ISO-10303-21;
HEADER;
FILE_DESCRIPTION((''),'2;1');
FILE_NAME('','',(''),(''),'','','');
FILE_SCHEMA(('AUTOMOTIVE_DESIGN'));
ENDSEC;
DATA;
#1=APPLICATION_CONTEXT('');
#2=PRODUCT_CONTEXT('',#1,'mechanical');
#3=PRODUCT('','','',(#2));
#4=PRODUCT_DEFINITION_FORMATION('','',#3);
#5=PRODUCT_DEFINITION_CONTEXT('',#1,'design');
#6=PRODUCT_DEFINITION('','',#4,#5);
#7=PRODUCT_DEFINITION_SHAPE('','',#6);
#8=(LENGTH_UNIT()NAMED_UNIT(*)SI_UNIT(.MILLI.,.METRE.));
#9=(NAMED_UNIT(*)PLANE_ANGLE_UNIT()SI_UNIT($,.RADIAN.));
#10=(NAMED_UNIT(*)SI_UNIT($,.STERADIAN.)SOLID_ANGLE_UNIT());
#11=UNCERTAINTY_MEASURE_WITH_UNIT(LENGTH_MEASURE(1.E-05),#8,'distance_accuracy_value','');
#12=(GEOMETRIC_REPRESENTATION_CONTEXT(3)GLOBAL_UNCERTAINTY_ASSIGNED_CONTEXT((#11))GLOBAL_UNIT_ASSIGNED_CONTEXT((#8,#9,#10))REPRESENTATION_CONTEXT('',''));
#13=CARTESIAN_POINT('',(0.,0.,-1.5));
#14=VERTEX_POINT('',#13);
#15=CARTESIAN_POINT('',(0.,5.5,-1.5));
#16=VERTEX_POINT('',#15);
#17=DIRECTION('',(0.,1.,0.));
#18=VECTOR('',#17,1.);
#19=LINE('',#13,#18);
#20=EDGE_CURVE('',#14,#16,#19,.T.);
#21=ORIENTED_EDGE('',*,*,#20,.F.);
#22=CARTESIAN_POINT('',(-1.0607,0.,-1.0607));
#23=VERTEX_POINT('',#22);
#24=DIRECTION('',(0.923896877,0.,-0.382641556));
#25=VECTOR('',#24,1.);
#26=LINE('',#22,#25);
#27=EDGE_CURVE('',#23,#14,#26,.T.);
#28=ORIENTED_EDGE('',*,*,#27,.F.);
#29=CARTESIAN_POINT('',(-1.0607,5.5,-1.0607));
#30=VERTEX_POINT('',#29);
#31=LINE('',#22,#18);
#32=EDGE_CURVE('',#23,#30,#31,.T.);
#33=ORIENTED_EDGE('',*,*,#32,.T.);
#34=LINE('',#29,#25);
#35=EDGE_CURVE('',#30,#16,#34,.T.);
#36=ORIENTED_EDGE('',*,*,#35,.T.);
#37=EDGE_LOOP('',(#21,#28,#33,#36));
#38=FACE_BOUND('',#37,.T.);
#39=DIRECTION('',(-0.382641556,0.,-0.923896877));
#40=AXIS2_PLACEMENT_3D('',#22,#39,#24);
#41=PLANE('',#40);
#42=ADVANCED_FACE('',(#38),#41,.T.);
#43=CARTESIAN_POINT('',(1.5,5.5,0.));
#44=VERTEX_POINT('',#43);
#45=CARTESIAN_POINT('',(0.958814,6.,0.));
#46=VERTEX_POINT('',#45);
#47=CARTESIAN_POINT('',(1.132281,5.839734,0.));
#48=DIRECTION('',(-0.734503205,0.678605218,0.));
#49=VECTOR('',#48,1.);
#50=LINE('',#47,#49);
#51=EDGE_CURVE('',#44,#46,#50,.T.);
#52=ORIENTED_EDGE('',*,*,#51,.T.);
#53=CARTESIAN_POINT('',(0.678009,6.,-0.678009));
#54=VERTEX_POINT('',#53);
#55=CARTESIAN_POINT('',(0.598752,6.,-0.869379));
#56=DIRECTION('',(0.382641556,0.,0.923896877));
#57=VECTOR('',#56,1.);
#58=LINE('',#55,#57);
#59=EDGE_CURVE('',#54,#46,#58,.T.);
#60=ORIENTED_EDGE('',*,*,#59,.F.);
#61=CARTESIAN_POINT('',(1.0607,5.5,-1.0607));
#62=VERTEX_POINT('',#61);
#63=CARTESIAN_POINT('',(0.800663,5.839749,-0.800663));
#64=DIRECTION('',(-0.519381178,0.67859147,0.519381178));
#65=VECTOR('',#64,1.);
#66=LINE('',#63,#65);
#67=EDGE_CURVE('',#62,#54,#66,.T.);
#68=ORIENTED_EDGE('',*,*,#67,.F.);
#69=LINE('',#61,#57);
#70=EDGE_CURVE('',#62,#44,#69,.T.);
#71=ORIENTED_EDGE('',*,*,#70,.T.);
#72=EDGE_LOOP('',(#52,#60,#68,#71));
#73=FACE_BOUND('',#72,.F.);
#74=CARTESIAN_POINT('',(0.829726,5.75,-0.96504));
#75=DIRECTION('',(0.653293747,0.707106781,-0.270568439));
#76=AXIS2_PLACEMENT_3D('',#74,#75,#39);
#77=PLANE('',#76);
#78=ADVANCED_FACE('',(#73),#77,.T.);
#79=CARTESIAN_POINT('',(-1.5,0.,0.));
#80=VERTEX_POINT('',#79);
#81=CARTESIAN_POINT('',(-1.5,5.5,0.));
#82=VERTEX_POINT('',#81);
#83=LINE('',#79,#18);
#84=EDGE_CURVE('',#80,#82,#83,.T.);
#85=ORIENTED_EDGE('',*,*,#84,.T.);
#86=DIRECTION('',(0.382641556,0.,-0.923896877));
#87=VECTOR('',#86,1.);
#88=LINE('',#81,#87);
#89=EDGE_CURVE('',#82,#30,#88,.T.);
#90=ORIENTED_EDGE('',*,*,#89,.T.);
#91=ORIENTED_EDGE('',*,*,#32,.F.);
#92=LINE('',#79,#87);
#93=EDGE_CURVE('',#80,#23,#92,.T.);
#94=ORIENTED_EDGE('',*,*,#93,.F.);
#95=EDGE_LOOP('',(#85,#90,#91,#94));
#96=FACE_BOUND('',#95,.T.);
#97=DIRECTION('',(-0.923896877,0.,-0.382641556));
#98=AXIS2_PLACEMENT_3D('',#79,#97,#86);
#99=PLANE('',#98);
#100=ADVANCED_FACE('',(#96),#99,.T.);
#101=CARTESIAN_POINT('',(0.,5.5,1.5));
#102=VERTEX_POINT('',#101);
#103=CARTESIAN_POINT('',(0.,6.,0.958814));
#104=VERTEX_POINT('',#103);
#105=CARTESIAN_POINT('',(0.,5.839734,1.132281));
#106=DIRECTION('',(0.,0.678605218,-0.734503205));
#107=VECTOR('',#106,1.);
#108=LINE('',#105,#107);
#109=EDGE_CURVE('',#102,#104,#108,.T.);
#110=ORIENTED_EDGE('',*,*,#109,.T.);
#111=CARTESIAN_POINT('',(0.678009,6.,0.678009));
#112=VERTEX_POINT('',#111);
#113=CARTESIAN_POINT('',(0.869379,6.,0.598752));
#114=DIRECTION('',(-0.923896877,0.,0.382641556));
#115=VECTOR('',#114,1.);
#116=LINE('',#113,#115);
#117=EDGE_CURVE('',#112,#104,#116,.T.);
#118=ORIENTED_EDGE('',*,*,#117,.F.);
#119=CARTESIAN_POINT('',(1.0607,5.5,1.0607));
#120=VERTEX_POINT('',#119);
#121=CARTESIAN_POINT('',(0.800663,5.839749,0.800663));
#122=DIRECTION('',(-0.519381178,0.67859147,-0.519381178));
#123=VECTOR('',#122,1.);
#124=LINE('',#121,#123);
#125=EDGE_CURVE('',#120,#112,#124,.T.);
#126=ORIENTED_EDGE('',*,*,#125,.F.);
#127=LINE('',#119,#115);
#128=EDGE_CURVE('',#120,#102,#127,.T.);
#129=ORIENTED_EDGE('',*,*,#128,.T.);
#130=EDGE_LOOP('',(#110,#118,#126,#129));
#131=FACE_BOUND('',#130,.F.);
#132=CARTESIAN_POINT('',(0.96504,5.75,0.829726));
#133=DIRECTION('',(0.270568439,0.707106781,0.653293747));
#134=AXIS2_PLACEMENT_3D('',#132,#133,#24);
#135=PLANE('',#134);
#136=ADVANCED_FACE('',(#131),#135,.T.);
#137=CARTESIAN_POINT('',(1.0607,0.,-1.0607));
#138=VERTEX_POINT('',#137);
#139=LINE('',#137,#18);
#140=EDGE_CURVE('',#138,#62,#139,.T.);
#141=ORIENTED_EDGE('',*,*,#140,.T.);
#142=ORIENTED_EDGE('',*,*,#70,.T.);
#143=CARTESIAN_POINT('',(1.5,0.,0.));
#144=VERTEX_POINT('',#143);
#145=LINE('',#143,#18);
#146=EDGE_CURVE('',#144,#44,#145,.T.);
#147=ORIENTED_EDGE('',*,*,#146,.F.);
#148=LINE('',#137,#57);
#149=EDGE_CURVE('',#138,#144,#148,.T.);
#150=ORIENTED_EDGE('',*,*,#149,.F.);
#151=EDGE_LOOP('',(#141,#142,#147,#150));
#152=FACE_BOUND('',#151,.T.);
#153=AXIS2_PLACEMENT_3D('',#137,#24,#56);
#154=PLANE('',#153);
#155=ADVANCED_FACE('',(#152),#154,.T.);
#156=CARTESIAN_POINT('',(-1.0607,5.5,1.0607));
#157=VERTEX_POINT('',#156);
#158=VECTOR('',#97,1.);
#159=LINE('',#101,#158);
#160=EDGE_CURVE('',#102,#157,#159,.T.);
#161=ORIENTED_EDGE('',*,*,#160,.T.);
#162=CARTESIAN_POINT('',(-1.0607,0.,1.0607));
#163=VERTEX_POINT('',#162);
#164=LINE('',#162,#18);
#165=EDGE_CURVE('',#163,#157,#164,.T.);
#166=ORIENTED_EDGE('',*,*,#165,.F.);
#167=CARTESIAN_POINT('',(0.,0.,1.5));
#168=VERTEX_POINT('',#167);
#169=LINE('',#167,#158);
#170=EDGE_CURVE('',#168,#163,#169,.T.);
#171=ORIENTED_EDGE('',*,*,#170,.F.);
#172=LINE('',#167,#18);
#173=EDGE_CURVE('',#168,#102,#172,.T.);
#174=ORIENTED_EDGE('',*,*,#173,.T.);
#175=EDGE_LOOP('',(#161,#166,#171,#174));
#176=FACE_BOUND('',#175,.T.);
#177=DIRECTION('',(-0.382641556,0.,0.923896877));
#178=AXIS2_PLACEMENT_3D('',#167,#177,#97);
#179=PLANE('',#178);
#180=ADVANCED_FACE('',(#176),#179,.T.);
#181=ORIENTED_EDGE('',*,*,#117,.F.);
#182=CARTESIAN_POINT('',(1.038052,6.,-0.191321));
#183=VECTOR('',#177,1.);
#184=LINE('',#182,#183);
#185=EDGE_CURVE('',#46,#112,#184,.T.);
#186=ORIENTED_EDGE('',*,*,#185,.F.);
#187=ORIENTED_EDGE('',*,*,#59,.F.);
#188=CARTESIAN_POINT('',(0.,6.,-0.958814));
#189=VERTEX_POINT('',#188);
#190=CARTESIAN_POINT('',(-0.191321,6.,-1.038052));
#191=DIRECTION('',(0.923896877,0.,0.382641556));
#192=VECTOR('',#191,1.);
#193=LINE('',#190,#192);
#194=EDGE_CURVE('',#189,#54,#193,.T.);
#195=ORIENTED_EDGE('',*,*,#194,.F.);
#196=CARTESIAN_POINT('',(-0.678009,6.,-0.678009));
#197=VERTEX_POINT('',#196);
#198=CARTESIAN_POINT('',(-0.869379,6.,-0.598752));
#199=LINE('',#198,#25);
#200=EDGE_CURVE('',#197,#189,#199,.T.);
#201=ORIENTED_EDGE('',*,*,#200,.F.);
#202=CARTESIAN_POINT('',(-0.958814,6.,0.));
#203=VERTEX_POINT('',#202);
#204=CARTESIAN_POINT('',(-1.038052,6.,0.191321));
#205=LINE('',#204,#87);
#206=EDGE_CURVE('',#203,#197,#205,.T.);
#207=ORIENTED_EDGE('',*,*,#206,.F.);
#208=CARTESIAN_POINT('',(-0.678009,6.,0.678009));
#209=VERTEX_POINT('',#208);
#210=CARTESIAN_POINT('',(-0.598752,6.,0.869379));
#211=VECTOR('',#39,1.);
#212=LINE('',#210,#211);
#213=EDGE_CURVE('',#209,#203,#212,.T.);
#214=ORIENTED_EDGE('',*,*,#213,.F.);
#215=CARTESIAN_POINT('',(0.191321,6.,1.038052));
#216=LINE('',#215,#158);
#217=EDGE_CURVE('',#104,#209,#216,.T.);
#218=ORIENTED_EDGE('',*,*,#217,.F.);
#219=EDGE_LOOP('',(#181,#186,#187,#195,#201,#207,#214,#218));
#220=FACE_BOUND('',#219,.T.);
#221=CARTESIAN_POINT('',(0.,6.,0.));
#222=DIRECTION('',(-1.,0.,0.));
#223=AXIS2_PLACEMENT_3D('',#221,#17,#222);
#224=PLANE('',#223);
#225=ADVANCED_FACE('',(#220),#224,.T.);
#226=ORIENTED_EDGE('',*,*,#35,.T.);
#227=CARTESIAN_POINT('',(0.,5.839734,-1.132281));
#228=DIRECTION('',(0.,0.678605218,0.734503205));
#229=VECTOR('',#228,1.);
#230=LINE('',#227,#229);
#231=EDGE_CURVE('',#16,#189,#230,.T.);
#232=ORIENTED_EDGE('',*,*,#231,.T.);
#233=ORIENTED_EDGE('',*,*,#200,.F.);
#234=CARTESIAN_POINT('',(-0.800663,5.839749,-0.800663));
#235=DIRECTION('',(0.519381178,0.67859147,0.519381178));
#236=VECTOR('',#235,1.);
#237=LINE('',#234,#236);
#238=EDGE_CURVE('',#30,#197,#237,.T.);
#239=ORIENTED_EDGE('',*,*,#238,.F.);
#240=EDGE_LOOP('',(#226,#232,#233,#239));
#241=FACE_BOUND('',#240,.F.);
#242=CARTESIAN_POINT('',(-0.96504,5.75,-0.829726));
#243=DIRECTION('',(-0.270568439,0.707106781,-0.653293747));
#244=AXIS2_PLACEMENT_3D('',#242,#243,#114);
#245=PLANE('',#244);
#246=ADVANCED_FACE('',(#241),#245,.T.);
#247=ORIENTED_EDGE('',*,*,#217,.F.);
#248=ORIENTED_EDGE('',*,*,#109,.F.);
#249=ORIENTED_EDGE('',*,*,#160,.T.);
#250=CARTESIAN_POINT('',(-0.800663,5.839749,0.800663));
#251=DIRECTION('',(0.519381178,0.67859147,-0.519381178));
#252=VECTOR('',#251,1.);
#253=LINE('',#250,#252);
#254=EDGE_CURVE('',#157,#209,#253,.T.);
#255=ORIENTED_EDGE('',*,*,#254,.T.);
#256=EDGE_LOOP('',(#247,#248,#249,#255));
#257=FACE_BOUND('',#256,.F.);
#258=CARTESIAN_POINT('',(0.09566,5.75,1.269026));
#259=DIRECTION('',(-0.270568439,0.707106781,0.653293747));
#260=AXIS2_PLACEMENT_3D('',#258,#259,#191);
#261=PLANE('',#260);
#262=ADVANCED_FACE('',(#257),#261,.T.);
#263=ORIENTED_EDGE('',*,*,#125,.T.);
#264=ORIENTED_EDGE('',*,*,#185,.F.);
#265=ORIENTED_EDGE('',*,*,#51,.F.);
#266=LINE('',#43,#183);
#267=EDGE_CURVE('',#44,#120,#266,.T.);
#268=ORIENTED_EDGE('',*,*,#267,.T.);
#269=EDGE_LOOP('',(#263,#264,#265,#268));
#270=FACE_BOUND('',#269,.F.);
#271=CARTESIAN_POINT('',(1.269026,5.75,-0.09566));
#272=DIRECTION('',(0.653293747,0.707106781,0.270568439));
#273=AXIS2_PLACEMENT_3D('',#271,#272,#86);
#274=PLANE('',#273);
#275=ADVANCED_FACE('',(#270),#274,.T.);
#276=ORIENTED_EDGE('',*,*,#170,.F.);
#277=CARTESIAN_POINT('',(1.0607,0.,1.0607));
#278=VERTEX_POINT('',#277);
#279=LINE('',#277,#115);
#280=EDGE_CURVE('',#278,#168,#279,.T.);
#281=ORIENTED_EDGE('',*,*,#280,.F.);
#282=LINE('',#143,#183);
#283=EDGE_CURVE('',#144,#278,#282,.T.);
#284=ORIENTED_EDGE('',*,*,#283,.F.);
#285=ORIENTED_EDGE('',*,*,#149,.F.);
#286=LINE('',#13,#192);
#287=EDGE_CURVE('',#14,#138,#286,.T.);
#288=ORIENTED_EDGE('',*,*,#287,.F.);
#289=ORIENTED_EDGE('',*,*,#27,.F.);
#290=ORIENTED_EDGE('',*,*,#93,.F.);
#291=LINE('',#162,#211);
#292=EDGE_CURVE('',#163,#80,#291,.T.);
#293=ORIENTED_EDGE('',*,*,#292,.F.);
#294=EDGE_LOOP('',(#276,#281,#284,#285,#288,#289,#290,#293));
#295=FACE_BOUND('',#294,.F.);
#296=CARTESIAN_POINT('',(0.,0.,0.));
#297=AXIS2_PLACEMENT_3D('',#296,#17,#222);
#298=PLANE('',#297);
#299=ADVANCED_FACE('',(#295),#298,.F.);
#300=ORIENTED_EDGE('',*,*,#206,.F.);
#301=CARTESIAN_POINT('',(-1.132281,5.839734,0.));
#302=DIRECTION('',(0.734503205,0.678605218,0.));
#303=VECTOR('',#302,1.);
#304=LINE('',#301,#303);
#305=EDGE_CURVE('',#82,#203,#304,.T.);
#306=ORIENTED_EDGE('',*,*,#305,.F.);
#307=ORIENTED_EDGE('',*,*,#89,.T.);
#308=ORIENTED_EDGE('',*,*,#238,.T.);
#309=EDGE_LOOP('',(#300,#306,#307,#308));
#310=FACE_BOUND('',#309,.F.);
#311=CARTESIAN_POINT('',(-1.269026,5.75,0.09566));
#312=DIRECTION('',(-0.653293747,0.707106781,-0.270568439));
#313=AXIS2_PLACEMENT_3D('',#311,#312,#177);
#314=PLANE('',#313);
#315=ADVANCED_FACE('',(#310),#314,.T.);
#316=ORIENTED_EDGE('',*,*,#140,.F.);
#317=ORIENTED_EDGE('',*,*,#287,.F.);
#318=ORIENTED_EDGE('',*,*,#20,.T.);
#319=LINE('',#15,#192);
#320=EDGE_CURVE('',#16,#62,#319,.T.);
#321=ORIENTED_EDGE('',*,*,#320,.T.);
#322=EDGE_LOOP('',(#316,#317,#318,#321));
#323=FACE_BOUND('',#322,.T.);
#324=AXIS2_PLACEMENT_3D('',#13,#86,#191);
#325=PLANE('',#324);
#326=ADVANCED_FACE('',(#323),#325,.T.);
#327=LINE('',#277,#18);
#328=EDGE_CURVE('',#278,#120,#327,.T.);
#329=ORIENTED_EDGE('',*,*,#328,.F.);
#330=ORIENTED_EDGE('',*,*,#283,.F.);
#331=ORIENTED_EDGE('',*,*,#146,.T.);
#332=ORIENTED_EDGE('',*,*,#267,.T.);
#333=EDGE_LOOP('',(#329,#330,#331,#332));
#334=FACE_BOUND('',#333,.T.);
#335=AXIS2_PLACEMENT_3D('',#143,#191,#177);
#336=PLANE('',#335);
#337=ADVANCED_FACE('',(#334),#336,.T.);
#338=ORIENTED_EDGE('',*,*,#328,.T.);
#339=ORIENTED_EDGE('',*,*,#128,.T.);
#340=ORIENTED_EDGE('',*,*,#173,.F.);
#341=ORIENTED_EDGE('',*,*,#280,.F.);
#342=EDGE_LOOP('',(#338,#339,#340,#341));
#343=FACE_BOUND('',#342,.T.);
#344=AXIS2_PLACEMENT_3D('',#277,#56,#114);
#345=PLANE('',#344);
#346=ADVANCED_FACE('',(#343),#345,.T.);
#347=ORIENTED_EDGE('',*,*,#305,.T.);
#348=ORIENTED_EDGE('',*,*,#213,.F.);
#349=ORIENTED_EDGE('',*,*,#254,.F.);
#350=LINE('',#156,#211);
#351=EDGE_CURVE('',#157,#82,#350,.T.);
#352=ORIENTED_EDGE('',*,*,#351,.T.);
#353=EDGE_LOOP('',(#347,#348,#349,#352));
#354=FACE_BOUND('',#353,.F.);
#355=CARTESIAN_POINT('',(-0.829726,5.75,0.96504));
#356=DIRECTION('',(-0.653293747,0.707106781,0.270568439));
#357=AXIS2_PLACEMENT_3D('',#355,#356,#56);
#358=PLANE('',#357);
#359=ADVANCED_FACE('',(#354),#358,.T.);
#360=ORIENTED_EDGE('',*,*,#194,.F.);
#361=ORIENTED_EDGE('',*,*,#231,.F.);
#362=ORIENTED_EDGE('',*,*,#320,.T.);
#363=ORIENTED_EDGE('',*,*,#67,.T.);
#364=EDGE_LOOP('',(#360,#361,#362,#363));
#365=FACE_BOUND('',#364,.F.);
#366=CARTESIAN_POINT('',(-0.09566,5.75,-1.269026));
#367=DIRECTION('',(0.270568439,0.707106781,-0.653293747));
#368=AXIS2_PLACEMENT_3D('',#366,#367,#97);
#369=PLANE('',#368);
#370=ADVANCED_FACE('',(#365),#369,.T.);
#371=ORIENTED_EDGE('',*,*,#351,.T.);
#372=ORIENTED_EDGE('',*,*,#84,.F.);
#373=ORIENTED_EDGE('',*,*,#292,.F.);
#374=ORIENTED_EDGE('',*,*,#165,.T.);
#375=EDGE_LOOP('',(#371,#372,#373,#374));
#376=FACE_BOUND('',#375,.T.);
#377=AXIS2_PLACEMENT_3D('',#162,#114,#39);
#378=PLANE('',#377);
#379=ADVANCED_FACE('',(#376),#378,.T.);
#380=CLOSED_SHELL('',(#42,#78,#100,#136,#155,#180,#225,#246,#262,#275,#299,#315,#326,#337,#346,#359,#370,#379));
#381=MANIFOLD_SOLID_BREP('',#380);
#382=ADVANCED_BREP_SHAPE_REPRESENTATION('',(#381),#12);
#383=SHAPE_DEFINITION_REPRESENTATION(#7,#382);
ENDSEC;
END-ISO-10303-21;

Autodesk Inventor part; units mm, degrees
ref_plane "YZ Plane" through (0, 0, 0) normal (1, 0, 0) x (0, 1, 0)
ref_plane "XZ Plane" through (0, 0, 0) normal (0, 1, 0) x (-1, 0, 0)
ref_plane "XY Plane" through (0, 0, 0) normal (0, 0, 1) x (1, 0, 0)
sketch "Sketch1" plane through (0, 0, 0) normal (0, 1, 0) x (-1, 0, 0)
  circle A0 centre (0, 0) radius 1.5 construction
  line L0 (0, -1.5) -> (-1.0607, -1.0607)
  line L1 (-1.0607, -1.0607) -> (-1.5, 0)
  line L2 (-1.5, 0) -> (-1.0607, 1.0607)
  line L3 (-1.0607, 1.0607) -> (0, 1.5)
  line L4 (0, 1.5) -> (1.0607, 1.0607)
  line L5 (1.0607, 1.0607) -> (1.5, 0)
  line L6 (1.5, 0) -> (1.0607, -1.0607)
  line L7 (1.0607, -1.0607) -> (0, -1.5)
  dimension "d0" = 3
extrude "Extrusion1" add sketch "Sketch1" along normal blind 6
chamfer "Chamfer1" distance 0.5 angle 45 8 edges at (0.5303, 6, 1.2803) (1.2803, 6, 0.5303) (1.2803, 6, -0.5303) (0.5303, 6, -1.2803) (-0.5303, 6, -1.2803) (-1.2803, 6, -0.5303) (-1.2803, 6, 0.5303) (-0.5303, 6, 1.2803)
properties part number "separator_battery"
